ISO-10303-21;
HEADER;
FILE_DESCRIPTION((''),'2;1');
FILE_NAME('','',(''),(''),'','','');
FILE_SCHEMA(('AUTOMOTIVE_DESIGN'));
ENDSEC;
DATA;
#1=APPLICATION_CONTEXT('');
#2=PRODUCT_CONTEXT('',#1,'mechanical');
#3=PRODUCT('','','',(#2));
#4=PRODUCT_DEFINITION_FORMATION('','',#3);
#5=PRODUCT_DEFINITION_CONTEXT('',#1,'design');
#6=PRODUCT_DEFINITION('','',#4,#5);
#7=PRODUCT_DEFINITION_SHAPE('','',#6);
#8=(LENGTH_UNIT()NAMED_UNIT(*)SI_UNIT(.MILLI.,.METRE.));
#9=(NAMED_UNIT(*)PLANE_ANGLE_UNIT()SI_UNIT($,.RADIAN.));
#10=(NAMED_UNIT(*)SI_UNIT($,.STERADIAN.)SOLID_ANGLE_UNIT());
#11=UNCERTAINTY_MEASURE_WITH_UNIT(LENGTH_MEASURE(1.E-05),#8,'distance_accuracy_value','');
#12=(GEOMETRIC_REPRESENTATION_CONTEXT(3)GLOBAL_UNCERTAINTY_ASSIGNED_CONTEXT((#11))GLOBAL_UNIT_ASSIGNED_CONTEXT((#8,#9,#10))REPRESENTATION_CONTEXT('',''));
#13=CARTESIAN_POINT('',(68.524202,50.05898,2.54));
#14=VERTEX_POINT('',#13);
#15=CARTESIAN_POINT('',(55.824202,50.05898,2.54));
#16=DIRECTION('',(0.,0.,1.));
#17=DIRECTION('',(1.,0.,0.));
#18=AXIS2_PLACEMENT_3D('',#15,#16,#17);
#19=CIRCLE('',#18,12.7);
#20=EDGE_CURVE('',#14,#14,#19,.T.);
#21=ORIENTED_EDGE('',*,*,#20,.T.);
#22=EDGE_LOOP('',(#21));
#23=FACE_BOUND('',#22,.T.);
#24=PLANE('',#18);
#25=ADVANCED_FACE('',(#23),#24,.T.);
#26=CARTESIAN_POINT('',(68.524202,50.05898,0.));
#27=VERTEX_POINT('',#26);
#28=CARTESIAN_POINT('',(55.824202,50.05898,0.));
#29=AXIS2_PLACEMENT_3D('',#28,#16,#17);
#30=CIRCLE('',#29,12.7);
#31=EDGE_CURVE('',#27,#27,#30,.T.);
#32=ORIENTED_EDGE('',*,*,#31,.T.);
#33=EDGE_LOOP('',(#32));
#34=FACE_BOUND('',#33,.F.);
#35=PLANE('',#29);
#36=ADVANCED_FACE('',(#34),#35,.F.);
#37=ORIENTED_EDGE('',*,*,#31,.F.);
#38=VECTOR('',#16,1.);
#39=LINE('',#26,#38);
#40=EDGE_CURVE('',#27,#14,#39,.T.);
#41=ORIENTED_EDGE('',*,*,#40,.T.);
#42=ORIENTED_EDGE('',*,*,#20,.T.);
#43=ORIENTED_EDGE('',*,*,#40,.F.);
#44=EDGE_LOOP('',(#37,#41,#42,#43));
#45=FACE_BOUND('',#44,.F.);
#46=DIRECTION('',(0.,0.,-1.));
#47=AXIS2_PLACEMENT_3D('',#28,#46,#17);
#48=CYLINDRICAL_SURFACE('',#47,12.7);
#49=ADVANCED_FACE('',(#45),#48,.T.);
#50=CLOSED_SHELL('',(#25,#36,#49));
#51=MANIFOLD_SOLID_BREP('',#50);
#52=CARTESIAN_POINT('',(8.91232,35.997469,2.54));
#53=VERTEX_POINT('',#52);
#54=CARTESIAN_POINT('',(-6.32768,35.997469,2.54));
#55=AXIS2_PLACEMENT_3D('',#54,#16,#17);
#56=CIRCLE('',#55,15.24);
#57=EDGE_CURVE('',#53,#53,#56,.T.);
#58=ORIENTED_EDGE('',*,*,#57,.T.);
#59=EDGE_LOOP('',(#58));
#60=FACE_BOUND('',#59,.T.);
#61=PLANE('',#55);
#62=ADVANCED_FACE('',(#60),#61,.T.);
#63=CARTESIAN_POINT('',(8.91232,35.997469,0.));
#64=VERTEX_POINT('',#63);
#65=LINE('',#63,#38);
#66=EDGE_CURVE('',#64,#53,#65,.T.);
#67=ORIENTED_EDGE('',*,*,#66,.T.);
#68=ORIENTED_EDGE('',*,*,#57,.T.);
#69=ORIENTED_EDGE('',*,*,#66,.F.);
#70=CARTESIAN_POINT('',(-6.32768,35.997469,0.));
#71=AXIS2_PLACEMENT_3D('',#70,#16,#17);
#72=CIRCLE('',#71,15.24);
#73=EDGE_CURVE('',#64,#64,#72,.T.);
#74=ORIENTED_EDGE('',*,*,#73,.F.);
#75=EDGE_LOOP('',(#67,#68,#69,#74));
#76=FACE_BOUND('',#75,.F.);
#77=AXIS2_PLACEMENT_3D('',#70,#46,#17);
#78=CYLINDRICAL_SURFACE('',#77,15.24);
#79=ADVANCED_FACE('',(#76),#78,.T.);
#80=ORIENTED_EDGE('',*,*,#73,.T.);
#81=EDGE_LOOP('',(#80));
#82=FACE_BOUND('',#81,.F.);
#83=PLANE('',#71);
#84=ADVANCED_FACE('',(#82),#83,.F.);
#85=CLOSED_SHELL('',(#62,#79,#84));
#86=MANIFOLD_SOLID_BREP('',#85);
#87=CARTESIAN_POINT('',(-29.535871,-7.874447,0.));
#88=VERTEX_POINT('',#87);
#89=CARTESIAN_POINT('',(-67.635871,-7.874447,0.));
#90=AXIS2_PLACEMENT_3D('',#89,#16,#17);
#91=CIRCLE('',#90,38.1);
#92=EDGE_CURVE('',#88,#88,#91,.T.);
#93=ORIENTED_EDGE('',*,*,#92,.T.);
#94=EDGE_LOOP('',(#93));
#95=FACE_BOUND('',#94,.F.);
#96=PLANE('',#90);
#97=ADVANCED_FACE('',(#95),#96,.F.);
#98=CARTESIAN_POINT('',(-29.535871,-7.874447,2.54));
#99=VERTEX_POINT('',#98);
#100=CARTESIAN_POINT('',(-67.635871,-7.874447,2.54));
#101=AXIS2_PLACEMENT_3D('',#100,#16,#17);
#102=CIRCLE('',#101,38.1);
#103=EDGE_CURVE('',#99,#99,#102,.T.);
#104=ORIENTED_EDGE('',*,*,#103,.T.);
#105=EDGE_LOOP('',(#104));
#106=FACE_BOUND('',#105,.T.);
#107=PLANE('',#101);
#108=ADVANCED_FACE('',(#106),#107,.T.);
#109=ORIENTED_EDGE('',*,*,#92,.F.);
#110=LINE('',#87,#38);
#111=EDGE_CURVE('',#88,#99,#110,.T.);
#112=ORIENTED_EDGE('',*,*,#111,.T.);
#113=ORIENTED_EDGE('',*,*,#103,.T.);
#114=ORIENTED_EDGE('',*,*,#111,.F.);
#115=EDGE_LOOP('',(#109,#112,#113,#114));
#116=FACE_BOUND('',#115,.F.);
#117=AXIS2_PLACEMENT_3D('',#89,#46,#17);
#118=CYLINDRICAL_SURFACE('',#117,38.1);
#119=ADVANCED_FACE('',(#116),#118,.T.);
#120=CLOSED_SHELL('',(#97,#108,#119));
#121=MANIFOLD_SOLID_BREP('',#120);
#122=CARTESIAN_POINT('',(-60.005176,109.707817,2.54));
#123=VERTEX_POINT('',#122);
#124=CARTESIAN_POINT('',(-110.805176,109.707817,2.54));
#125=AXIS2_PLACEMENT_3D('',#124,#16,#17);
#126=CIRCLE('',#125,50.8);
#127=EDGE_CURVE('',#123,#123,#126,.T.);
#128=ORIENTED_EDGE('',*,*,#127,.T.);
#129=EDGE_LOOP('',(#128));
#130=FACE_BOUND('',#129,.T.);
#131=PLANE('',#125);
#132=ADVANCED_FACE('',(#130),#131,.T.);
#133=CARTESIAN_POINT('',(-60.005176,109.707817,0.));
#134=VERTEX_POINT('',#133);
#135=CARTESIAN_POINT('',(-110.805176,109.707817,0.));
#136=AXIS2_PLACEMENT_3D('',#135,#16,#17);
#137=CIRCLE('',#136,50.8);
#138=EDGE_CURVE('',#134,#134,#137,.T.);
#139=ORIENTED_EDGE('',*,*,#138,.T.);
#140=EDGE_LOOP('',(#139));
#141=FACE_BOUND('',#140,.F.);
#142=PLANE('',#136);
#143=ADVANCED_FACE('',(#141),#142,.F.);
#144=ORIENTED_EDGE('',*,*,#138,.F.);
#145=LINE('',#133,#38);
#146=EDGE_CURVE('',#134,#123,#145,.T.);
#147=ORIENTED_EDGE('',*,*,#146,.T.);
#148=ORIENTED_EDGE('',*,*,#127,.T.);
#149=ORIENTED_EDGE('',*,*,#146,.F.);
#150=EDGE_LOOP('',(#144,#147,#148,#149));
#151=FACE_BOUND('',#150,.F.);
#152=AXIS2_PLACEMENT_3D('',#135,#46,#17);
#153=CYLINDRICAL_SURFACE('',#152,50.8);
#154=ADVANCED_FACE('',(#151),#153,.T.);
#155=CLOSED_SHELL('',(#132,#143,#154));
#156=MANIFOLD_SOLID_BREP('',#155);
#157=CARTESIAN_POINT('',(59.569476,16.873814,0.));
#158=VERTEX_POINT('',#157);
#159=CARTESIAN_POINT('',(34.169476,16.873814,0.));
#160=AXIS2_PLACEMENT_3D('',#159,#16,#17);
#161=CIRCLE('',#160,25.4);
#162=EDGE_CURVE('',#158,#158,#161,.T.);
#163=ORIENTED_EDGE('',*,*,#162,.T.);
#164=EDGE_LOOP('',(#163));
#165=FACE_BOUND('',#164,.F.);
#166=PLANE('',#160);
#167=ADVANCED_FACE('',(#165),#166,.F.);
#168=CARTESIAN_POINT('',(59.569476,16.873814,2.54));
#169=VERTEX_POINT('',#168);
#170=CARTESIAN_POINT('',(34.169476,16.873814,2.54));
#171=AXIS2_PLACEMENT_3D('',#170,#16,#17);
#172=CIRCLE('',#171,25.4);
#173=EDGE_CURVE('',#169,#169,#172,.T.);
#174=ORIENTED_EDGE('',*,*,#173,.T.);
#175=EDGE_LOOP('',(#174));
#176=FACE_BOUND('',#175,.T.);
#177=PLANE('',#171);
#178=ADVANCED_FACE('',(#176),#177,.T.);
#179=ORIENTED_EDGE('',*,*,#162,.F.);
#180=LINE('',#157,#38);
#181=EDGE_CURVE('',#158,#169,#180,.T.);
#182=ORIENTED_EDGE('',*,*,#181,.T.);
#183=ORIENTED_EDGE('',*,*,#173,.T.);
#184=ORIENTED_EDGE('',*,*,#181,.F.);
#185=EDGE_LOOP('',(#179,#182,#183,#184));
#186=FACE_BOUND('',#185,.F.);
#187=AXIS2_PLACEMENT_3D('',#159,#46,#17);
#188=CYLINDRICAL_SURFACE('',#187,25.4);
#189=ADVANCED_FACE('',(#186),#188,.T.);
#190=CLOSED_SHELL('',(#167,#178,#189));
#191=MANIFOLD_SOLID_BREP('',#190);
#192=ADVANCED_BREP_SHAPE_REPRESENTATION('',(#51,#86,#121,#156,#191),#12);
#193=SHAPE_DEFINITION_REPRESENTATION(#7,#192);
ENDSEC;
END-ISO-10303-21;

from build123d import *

# Parameters (mm, degrees)
F0_R     = 50.8
F1_DEPTH = 2.54
F0_R_2   = 38.1
F0_R_3   = 15.24
F0_R_4   = 25.4
F0_R_5   = 12.7
F2_DEPTH = 2.54


with BuildPart() as f1:
    # F0 (on Top) → F1 (new body)
    with BuildSketch(Plane.XY):
        with Locations((-110.805176, 109.707817)):
            Circle(F0_R)
    extrude(amount=F1_DEPTH)


with BuildPart() as f2:
    # F0 (on Top) → F2 (new body)
    with BuildSketch(Plane.XY):
        with Locations((-67.635871, -7.874447)):
            Circle(F0_R_2)
        with Locations((-6.32768, 35.997469)):
            Circle(F0_R_3)
        with Locations((34.169476, 16.873814)):
            Circle(F0_R_4)
        with Locations((55.824202, 50.05898)):
            Circle(F0_R_5)
    extrude(amount=F2_DEPTH)


solid = Compound([f1.part, f2.part])
